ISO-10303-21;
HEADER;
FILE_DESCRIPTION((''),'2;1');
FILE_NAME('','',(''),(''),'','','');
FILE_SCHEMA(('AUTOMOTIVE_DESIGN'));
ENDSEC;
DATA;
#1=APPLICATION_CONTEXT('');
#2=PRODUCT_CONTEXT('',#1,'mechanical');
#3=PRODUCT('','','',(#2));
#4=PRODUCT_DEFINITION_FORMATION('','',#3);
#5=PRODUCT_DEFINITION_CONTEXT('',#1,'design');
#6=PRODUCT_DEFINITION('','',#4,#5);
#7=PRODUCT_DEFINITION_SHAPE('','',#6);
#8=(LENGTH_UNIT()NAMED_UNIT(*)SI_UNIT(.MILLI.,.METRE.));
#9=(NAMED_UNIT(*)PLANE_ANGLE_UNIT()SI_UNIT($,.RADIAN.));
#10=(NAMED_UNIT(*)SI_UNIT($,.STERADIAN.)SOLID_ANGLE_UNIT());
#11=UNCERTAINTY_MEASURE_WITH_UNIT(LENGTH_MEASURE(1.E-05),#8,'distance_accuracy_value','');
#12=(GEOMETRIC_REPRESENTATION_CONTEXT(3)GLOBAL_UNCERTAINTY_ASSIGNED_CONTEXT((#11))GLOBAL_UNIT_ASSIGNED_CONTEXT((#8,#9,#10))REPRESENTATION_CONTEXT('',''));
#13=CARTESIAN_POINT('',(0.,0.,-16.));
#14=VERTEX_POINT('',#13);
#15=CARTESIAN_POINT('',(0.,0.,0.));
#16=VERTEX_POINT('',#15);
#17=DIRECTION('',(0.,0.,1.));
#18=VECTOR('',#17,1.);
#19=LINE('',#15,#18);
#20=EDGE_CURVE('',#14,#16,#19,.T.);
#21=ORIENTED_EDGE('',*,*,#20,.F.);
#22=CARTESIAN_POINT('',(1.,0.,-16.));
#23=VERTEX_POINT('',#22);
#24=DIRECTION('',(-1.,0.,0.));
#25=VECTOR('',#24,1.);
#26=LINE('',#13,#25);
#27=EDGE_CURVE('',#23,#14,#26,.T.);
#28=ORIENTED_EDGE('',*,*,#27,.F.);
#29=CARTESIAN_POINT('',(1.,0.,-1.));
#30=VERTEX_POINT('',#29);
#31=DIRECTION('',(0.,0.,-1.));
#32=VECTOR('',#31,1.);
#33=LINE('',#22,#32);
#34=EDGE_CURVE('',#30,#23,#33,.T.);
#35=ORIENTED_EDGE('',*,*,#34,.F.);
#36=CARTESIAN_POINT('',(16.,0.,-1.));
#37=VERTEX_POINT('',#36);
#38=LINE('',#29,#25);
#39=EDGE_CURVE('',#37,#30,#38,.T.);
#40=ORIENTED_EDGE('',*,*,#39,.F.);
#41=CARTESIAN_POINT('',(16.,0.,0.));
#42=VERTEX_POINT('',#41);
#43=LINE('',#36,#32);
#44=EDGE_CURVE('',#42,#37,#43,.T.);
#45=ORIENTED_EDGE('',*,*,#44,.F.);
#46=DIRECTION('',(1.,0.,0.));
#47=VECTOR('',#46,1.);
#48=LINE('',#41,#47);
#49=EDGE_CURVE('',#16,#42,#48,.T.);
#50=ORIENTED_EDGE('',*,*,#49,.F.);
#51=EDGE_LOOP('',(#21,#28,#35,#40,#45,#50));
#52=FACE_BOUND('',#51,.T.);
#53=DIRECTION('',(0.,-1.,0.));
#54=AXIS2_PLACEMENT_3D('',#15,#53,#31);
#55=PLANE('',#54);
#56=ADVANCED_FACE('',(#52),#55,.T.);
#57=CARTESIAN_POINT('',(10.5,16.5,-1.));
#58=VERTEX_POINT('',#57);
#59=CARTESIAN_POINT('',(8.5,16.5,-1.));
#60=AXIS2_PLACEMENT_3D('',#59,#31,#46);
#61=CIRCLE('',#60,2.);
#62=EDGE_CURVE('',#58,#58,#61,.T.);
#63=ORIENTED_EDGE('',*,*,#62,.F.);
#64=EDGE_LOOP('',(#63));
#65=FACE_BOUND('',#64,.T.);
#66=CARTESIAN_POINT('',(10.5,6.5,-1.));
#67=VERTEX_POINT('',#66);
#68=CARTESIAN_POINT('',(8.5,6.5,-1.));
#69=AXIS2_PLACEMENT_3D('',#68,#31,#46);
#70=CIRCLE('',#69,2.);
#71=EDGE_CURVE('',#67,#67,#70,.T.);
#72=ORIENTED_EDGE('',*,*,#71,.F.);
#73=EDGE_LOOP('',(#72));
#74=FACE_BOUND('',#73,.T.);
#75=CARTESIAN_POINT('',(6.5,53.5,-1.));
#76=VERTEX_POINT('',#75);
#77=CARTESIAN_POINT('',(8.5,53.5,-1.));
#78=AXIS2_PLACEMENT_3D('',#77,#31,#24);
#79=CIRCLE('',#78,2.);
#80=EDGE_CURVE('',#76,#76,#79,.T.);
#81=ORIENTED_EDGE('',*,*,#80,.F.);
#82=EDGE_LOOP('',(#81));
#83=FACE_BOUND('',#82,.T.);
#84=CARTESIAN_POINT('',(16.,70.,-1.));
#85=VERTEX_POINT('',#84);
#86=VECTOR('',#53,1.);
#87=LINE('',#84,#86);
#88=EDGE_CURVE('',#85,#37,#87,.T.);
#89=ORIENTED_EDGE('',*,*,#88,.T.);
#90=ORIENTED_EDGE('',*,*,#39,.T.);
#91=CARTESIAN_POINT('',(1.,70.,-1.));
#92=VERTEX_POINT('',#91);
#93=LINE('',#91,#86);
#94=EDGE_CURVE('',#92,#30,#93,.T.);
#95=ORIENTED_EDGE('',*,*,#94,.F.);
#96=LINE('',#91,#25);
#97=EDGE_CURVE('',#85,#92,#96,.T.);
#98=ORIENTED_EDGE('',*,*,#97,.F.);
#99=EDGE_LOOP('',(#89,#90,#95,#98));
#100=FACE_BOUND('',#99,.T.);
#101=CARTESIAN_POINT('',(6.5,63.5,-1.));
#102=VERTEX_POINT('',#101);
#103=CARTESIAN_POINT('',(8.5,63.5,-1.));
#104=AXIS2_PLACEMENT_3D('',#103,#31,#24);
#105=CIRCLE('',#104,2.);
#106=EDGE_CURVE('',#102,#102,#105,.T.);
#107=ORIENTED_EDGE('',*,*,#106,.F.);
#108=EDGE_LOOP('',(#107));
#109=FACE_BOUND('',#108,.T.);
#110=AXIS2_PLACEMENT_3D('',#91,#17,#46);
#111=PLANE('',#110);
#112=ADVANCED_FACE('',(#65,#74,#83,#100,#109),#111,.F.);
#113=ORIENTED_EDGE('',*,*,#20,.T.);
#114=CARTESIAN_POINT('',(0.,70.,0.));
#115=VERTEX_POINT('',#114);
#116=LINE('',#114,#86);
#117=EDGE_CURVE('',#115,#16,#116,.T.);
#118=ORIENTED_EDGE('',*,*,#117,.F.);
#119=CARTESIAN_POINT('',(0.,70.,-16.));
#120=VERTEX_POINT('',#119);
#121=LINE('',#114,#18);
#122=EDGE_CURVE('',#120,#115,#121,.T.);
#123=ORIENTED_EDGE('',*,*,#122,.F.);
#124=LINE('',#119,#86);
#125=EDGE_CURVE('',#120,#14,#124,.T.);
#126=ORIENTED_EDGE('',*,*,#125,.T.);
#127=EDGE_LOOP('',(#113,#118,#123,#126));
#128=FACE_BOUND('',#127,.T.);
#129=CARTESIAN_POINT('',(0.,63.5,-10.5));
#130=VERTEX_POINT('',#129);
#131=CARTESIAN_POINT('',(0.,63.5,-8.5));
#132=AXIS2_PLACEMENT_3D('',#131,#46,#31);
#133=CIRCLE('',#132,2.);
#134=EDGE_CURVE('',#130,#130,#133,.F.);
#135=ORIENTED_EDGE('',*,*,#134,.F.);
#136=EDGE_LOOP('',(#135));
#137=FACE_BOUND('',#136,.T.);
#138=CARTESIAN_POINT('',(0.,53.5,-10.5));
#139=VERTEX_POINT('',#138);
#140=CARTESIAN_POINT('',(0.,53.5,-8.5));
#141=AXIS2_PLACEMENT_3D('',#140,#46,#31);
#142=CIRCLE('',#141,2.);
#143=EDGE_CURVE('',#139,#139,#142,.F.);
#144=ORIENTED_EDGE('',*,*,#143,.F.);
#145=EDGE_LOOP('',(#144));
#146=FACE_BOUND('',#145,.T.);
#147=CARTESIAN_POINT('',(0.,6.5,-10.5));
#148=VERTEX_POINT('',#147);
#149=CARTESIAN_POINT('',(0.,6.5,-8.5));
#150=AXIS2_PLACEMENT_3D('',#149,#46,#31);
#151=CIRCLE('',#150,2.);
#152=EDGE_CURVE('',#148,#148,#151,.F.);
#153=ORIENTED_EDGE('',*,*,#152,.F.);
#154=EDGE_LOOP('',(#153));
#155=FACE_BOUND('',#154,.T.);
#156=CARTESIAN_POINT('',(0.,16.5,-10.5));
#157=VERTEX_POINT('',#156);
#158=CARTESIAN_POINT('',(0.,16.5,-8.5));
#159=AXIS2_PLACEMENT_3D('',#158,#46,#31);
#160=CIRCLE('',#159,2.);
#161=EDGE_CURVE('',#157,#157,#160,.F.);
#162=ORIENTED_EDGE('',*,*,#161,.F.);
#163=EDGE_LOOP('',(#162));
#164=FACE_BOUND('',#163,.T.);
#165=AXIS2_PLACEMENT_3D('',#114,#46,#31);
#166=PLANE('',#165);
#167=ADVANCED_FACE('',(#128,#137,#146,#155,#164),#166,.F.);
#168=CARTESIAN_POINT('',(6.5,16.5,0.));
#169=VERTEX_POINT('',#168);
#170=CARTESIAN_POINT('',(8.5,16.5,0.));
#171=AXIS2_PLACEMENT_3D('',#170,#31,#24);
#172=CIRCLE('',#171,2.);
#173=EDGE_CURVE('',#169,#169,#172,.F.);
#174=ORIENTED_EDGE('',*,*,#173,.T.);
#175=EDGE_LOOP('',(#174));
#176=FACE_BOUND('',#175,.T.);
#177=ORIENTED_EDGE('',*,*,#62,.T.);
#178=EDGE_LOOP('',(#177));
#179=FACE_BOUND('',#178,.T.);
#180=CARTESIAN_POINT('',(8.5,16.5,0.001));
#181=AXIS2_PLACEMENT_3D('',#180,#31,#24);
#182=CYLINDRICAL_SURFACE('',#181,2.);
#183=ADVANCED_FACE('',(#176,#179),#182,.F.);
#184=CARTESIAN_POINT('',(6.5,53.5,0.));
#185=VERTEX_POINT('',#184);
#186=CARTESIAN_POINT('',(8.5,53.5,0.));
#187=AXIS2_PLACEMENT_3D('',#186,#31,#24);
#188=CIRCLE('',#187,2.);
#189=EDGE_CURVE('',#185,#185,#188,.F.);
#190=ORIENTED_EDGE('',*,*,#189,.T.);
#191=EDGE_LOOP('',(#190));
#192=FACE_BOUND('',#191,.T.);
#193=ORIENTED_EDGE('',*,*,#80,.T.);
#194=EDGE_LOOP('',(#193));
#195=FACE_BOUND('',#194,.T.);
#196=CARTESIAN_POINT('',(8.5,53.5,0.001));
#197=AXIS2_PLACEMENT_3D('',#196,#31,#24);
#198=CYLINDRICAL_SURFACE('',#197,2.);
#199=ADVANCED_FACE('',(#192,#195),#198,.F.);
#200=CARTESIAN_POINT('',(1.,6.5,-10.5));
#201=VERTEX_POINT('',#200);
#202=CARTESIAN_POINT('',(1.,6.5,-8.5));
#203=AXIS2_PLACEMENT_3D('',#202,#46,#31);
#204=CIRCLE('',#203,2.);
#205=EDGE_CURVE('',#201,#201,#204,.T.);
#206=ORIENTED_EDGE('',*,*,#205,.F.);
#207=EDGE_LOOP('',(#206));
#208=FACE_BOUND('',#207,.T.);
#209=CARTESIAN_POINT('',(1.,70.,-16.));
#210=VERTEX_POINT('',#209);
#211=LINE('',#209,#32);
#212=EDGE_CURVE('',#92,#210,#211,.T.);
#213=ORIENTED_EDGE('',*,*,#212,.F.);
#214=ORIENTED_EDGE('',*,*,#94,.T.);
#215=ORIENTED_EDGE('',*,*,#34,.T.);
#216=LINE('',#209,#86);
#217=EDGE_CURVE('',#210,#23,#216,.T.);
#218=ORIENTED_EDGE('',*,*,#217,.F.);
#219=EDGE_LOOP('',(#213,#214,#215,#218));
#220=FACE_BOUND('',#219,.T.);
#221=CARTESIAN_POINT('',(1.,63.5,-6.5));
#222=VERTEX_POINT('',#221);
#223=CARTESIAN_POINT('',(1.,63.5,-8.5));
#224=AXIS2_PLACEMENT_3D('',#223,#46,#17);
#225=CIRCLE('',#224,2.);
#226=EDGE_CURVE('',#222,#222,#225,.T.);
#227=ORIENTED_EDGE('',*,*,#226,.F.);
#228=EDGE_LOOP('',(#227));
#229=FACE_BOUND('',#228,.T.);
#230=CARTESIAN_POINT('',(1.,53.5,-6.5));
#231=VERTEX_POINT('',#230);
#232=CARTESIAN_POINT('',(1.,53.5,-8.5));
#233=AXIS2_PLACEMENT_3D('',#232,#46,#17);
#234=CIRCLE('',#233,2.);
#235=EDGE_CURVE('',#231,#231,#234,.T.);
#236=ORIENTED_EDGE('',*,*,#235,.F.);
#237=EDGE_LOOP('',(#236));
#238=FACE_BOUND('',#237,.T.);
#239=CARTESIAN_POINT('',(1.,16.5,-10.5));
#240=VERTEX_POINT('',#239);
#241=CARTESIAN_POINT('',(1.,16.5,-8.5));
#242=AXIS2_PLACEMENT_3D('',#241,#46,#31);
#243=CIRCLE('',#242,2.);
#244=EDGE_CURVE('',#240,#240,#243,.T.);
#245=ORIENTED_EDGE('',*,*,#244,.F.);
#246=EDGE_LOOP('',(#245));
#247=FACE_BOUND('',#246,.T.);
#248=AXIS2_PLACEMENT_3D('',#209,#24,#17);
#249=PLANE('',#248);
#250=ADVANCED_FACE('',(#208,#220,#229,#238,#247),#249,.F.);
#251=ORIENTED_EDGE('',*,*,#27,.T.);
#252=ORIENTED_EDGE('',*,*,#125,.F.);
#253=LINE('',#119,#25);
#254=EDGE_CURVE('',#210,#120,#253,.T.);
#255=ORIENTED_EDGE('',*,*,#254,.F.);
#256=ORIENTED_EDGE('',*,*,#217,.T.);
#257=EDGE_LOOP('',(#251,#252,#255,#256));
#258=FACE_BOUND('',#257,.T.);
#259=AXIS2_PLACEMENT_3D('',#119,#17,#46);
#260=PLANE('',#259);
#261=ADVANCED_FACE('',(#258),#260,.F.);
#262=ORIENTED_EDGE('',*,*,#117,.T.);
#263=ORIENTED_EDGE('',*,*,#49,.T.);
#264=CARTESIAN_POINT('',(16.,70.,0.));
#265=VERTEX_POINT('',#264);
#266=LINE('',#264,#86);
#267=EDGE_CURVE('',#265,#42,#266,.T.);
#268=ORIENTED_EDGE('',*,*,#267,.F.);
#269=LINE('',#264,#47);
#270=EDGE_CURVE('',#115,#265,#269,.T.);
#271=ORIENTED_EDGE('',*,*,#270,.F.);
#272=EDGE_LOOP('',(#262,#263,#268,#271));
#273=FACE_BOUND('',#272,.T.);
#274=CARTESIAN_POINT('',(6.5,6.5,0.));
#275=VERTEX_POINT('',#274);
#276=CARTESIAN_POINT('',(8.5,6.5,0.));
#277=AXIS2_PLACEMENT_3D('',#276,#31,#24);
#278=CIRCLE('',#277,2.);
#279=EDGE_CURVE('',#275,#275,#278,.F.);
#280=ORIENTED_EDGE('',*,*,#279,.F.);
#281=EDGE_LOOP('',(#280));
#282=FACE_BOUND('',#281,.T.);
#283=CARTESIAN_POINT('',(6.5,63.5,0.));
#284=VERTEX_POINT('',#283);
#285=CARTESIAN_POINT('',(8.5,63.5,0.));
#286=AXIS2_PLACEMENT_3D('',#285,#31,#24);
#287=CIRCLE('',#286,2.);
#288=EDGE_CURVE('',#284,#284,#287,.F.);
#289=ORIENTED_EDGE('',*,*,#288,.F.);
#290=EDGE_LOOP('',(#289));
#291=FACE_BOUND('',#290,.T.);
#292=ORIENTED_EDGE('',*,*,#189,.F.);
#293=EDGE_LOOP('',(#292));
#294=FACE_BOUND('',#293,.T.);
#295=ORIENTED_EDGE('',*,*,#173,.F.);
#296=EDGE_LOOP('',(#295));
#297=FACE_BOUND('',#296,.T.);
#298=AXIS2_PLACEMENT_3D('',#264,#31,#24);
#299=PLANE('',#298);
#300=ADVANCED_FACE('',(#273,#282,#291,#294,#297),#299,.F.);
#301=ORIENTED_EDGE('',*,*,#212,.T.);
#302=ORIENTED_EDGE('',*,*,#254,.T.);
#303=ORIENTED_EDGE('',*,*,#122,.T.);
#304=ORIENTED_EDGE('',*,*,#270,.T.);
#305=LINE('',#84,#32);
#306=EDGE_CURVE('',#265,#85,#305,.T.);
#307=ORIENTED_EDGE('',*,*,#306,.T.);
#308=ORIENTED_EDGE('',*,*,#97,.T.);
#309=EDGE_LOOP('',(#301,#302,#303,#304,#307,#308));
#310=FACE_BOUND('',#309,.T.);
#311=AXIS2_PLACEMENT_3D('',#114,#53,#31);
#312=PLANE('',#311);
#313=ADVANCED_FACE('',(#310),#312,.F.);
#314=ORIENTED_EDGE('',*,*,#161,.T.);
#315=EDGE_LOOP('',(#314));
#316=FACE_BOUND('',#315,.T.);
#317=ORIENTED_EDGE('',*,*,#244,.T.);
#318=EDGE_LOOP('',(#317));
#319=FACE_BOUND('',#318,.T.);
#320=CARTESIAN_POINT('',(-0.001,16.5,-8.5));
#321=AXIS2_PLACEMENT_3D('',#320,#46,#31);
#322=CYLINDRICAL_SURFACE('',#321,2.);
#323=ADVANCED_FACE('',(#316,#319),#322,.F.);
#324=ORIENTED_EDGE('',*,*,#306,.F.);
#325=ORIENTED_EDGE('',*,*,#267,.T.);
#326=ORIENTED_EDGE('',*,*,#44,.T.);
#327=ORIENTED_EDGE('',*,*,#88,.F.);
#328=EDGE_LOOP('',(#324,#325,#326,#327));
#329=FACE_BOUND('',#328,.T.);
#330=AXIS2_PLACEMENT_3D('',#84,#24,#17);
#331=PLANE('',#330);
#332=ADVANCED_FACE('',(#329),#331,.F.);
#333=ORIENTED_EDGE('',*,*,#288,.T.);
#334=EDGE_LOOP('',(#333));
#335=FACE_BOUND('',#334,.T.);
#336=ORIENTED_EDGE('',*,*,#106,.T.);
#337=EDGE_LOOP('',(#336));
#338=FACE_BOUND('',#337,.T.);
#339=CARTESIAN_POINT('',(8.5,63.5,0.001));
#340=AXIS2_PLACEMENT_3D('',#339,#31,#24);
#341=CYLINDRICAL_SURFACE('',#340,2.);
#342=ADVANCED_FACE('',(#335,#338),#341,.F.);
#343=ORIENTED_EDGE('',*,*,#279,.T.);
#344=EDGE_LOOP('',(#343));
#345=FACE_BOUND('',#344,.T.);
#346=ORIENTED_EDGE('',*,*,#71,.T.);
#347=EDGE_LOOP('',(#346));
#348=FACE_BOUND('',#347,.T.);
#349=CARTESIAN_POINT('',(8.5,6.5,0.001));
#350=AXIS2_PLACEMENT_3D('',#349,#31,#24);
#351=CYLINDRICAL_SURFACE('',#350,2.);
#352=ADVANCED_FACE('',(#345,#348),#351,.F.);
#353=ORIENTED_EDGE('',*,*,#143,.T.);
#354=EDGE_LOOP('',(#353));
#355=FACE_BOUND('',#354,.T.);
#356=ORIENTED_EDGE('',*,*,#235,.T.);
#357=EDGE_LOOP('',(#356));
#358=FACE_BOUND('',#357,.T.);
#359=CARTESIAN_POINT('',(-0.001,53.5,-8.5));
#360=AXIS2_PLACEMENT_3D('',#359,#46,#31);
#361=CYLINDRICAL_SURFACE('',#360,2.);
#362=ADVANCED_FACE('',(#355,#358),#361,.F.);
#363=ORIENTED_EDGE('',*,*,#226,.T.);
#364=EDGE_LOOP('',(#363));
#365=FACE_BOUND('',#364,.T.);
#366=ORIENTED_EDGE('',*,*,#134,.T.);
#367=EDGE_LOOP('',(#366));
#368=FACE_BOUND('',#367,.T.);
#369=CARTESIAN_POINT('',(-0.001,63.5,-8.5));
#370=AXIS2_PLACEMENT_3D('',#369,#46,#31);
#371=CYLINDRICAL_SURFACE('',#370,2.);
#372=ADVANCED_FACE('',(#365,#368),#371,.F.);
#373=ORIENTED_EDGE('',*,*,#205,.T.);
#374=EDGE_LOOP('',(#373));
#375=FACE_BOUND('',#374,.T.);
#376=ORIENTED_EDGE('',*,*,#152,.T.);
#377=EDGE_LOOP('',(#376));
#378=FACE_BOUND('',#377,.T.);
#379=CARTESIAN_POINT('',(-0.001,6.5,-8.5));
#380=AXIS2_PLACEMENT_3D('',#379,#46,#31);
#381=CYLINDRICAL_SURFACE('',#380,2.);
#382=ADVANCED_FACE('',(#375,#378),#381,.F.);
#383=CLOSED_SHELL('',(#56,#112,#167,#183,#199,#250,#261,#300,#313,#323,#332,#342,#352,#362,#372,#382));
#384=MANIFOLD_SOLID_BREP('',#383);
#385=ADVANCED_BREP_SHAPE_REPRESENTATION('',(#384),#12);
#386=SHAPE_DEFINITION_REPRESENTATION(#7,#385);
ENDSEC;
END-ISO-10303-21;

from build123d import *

# Parameters (mm, degrees)
EXTRUSION1_DEPTH = 70
EXTRUSION2_REACH = 3
ESQUISSE2_R      = 2
EXTRUSION3_REACH = 3
ESQUISSE3_R      = 2


with BuildPart() as part:
    # Esquisse1 → Extrusion1 (new body)
    with BuildSketch(Plane(origin=(0, 0, 0), x_dir=(1, 0, 0), z_dir=(0, 1, 0))):
        Polygon((0, 0), (0, 16), (1, 16), (1, 1), (16, 1), (16, 0), align=None)
    extrude(amount=EXTRUSION1_DEPTH)

    # Esquisse2 → Extrusion2 (cut, up to next)
    with BuildSketch(Plane(origin=(1, 0, 0), x_dir=(0, 0, -1), z_dir=(1, 0, 0)), mode=Mode.PRIVATE) as extrusion2_sk1:
        with Locations((8.5, 16.5)):
            Circle(ESQUISSE2_R)
    extrusion2_tool1 = extrude(extrusion2_sk1.sketch, amount=-EXTRUSION2_REACH, mode=Mode.PRIVATE) & part.part
    add(extrusion2_tool1.solids().sort_by_distance((1, 16.5, -8.5))[0], mode=Mode.SUBTRACT)
    # Esquisse2 → Extrusion2 (cut, up to next)
    with BuildSketch(Plane(origin=(1, 0, 0), x_dir=(0, 0, -1), z_dir=(1, 0, 0)), mode=Mode.PRIVATE) as extrusion2_sk2:
        with Locations((8.5, 6.5)):
            Circle(ESQUISSE2_R)
    extrusion2_tool2 = extrude(extrusion2_sk2.sketch, amount=-EXTRUSION2_REACH, mode=Mode.PRIVATE) & part.part
    add(extrusion2_tool2.solids().sort_by_distance((1, 6.5, -8.5))[0], mode=Mode.SUBTRACT)
    # Esquisse2 → Extrusion2 (cut, up to next)
    with BuildSketch(Plane(origin=(1, 0, 0), x_dir=(0, 0, -1), z_dir=(1, 0, 0)), mode=Mode.PRIVATE) as extrusion2_sk3:
        with Locations((8.5, 53.5)):
            Circle(ESQUISSE2_R)
    extrusion2_tool3 = extrude(extrusion2_sk3.sketch, amount=-EXTRUSION2_REACH, mode=Mode.PRIVATE) & part.part
    add(extrusion2_tool3.solids().sort_by_distance((1, 53.5, -8.5))[0], mode=Mode.SUBTRACT)
    # Esquisse2 → Extrusion2 (cut, up to next)
    with BuildSketch(Plane(origin=(1, 0, 0), x_dir=(0, 0, -1), z_dir=(1, 0, 0)), mode=Mode.PRIVATE) as extrusion2_sk4:
        with Locations((8.5, 63.5)):
            Circle(ESQUISSE2_R)
    extrusion2_tool4 = extrude(extrusion2_sk4.sketch, amount=-EXTRUSION2_REACH, mode=Mode.PRIVATE) & part.part
    add(extrusion2_tool4.solids().sort_by_distance((1, 63.5, -8.5))[0], mode=Mode.SUBTRACT)

    # Esquisse3 → Extrusion3 (cut, up to next)
    with BuildSketch(Plane(origin=(0, 0, -1), x_dir=(-1, 0, 0), z_dir=(0, 0, -1)), mode=Mode.PRIVATE) as extrusion3_sk1:
        with Locations((-8.5, 53.5)):
            Circle(ESQUISSE3_R)
    extrusion3_tool1 = extrude(extrusion3_sk1.sketch, amount=-EXTRUSION3_REACH, mode=Mode.PRIVATE) & part.part
    add(extrusion3_tool1.solids().sort_by_distance((8.5, 53.5, -1))[0], mode=Mode.SUBTRACT)
    # Esquisse3 → Extrusion3 (cut, up to next)
    with BuildSketch(Plane(origin=(0, 0, -1), x_dir=(-1, 0, 0), z_dir=(0, 0, -1)), mode=Mode.PRIVATE) as extrusion3_sk2:
        with Locations((-8.5, 63.5)):
            Circle(ESQUISSE3_R)
    extrusion3_tool2 = extrude(extrusion3_sk2.sketch, amount=-EXTRUSION3_REACH, mode=Mode.PRIVATE) & part.part
    add(extrusion3_tool2.solids().sort_by_distance((8.5, 63.5, -1))[0], mode=Mode.SUBTRACT)
    # Esquisse3 → Extrusion3 (cut, up to next)
    with BuildSketch(Plane(origin=(0, 0, -1), x_dir=(-1, 0, 0), z_dir=(0, 0, -1)), mode=Mode.PRIVATE) as extrusion3_sk3:
        with Locations((-8.5, 6.5)):
            Circle(ESQUISSE3_R)
    extrusion3_tool3 = extrude(extrusion3_sk3.sketch, amount=-EXTRUSION3_REACH, mode=Mode.PRIVATE) & part.part
    add(extrusion3_tool3.solids().sort_by_distance((8.5, 6.5, -1))[0], mode=Mode.SUBTRACT)
    # Esquisse3 → Extrusion3 (cut, up to next)
    with BuildSketch(Plane(origin=(0, 0, -1), x_dir=(-1, 0, 0), z_dir=(0, 0, -1)), mode=Mode.PRIVATE) as extrusion3_sk4:
        with Locations((-8.5, 16.5)):
            Circle(ESQUISSE3_R)
    extrusion3_tool4 = extrude(extrusion3_sk4.sketch, amount=-EXTRUSION3_REACH, mode=Mode.PRIVATE) & part.part
    add(extrusion3_tool4.solids().sort_by_distance((8.5, 16.5, -1))[0], mode=Mode.SUBTRACT)


solid = part.part
